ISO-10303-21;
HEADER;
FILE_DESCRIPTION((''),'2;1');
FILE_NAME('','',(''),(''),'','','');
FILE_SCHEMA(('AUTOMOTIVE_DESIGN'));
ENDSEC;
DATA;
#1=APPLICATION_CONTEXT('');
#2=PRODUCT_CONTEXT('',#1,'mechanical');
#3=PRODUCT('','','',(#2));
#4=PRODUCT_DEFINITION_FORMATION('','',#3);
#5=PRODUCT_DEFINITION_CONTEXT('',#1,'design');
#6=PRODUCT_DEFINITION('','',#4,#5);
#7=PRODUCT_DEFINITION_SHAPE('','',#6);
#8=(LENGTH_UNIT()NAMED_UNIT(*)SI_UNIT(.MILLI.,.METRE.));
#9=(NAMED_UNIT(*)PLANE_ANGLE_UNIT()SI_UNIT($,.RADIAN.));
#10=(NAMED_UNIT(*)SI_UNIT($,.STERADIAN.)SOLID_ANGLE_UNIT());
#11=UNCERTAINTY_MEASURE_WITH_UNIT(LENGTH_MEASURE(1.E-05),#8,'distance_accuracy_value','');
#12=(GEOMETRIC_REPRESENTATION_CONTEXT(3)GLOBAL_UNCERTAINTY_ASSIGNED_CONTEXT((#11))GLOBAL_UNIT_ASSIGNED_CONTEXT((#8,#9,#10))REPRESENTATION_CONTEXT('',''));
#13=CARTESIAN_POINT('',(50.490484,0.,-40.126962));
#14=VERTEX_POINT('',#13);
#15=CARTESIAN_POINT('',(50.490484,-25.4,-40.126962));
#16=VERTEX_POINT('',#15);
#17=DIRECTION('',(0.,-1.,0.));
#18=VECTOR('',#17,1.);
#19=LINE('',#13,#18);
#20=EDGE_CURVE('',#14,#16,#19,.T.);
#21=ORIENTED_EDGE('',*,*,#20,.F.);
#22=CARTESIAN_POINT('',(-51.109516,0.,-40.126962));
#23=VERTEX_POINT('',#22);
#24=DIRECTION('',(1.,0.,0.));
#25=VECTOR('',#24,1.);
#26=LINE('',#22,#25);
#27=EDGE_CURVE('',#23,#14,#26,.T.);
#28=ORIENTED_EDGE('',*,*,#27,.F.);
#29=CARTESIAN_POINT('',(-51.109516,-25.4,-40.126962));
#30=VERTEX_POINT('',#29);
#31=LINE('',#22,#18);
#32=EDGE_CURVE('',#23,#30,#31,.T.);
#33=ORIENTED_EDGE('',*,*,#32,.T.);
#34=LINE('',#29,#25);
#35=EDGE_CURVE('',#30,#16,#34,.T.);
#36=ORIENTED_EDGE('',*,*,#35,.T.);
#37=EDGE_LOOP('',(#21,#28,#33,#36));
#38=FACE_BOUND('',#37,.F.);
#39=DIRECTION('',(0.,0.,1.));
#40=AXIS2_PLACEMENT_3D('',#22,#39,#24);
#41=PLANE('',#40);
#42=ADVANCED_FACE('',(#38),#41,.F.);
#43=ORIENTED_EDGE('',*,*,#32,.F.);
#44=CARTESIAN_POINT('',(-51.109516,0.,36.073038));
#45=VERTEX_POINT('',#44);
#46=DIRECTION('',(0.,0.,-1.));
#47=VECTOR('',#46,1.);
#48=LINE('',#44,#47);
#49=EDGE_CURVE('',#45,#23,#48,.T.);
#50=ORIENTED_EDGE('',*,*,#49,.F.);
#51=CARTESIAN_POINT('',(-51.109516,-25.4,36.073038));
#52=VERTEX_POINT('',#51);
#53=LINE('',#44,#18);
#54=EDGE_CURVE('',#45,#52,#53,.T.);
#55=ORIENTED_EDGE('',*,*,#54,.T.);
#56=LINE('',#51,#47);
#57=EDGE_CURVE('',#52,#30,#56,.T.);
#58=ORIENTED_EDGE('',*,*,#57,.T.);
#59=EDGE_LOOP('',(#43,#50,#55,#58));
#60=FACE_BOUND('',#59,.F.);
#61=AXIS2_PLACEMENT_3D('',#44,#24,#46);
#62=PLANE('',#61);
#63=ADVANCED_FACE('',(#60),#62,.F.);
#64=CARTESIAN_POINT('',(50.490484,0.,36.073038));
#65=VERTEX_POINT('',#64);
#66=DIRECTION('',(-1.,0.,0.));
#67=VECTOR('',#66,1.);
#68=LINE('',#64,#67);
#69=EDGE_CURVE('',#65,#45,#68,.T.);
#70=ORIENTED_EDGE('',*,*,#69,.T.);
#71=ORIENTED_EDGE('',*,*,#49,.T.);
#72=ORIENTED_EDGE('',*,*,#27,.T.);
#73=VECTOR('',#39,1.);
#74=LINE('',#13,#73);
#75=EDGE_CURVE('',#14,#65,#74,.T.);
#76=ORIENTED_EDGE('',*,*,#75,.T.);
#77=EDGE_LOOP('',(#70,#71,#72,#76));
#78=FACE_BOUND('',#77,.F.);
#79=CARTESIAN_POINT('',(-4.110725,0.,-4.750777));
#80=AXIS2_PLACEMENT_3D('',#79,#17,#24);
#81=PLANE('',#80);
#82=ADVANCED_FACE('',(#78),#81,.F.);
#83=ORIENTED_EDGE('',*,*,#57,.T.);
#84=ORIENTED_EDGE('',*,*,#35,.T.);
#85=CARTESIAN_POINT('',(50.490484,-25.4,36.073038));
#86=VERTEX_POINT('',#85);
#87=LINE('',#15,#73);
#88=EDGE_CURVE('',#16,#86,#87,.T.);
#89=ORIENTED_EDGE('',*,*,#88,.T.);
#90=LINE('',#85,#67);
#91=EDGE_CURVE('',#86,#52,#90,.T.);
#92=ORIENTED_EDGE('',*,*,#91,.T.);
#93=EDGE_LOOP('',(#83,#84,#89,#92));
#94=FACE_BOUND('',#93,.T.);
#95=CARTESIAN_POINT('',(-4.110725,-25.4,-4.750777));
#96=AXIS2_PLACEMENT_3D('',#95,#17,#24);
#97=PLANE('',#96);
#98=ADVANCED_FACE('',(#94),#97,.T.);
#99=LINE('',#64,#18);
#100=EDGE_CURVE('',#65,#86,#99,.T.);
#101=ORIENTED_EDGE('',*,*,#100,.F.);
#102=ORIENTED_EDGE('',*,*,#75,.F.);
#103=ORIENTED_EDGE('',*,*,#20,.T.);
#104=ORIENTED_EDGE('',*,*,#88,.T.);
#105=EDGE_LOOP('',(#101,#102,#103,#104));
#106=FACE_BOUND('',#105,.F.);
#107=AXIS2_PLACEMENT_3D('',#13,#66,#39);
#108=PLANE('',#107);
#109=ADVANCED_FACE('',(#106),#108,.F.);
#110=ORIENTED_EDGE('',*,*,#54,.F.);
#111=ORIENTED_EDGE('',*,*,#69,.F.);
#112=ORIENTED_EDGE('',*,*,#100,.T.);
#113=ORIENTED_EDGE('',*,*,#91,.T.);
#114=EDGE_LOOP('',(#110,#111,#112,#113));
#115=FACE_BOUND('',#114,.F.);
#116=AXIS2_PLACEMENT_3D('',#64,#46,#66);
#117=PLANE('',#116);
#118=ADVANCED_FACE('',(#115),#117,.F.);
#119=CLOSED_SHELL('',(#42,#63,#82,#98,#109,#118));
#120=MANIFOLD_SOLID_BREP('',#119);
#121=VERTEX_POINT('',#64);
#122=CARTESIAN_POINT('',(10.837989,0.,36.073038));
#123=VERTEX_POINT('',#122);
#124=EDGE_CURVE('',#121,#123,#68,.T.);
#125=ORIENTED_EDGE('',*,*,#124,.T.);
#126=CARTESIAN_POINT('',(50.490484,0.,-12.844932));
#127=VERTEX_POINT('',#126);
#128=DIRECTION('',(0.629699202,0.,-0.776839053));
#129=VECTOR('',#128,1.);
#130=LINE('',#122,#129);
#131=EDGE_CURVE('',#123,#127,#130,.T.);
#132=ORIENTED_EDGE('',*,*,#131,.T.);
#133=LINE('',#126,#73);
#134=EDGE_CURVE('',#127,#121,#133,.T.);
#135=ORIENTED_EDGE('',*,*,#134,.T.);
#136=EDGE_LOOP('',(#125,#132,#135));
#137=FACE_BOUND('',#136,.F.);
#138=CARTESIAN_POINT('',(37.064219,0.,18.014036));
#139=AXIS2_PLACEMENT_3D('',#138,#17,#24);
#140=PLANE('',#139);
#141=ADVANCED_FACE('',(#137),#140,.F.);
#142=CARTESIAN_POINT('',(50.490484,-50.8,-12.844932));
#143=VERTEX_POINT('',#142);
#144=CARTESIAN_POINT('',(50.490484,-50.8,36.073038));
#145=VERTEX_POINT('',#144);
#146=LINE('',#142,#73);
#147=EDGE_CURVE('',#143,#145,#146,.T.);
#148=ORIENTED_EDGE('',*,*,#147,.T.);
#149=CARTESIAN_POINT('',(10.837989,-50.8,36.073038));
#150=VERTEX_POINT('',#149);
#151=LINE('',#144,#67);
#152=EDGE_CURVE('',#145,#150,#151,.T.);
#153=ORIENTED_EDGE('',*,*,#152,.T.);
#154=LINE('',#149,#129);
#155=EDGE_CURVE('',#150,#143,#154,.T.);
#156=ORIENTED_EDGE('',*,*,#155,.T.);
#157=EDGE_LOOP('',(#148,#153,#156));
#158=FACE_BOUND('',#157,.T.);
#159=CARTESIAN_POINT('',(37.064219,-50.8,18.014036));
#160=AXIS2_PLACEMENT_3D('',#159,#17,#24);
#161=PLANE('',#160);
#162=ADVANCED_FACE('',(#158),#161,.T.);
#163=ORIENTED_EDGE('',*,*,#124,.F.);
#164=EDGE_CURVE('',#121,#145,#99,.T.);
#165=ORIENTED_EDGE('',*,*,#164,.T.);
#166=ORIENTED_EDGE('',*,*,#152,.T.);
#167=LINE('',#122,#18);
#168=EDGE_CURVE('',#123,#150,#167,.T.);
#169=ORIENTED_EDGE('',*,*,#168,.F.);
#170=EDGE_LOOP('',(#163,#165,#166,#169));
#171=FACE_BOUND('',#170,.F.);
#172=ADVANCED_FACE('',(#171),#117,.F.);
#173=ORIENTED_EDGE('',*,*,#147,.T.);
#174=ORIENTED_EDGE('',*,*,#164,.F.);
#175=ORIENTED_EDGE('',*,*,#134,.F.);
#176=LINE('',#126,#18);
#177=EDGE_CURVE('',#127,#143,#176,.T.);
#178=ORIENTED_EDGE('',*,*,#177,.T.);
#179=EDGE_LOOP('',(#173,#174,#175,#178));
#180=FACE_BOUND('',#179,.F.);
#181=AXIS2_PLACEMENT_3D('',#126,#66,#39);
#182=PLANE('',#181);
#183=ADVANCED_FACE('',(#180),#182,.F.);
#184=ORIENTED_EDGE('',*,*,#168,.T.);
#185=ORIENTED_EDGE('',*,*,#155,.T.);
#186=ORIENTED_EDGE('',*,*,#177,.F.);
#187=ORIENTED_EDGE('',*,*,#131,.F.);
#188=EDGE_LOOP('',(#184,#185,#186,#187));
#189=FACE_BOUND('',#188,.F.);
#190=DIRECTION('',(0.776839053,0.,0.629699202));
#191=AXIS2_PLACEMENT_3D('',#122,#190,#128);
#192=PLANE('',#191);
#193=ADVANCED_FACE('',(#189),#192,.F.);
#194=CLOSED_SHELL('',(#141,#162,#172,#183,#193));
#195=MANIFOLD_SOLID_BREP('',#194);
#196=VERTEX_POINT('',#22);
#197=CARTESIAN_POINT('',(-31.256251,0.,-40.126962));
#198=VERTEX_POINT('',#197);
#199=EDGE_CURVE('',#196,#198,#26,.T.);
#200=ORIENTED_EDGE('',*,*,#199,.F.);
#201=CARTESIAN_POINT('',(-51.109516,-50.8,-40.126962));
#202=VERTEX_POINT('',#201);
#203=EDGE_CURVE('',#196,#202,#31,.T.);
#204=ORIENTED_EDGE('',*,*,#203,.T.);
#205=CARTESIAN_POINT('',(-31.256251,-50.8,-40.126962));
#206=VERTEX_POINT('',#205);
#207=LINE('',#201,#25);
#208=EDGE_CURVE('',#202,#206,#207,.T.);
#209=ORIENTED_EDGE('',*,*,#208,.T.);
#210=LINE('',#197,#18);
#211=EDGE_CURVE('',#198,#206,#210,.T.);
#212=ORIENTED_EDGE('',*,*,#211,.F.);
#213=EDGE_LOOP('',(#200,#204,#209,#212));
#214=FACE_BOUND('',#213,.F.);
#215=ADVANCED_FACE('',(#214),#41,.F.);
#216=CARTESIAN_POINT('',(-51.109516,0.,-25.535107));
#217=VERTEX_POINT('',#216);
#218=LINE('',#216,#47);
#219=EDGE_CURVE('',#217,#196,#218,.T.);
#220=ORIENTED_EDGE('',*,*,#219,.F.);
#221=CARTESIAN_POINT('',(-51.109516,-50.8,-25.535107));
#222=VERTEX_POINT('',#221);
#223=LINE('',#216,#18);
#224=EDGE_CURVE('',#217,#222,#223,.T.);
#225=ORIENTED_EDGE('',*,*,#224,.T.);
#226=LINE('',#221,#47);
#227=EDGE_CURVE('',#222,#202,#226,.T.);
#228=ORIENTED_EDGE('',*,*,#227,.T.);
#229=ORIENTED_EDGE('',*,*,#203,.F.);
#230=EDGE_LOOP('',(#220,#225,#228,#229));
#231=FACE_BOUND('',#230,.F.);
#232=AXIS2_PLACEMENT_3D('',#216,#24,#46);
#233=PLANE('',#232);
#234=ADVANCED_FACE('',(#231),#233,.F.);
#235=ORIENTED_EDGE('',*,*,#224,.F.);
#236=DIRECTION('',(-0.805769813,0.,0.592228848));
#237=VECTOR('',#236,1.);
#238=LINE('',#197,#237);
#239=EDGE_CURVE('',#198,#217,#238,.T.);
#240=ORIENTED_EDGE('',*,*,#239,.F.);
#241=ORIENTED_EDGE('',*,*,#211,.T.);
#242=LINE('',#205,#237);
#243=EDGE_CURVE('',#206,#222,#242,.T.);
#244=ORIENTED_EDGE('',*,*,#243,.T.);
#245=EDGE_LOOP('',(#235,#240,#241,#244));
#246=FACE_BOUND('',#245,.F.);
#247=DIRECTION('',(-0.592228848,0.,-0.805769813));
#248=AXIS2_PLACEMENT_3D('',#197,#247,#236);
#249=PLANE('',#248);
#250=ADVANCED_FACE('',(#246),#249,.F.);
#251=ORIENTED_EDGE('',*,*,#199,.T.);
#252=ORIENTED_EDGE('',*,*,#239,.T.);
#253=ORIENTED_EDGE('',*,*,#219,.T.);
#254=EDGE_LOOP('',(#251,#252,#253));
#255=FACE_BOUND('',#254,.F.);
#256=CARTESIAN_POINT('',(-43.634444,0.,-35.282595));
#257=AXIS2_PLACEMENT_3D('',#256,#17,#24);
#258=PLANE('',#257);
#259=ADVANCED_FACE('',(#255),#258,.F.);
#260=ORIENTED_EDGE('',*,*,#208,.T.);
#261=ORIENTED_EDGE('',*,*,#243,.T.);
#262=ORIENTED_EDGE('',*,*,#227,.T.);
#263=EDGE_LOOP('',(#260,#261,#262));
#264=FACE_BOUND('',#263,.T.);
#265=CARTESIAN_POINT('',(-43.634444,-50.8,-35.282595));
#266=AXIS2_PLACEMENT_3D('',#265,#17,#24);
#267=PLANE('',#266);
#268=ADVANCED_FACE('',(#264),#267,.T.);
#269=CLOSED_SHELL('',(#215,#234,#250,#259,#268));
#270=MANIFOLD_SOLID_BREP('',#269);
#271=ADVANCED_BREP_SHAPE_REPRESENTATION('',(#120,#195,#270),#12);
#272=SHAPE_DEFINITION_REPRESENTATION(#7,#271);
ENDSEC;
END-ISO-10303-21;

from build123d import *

# Parameters (mm, degrees)
F1_DEPTH = 50.8
F2_DEPTH = 25.4


with BuildPart() as f1:
    # F0 (on Front) → F1 (new body)
    with BuildSketch(Plane.XZ):
        Polygon((50.490484, 36.073038), (10.837989, 36.073038), (50.490484, -12.844932), align=None)
        Polygon((-31.256251, -40.126962), (-51.109516, -25.535107), (-51.109516, -40.126962), align=None)
    extrude(amount=F1_DEPTH)


with BuildPart() as f2:
    # F0 (on Front) → F2 (new body)
    with BuildSketch(Plane.XZ):
        Polygon((10.837989, 36.073038), (-51.109516, 36.073038), (-51.109516, -25.535107), (-31.256251, -40.126962), (50.490484, -40.126962), (50.490484, -12.844932), align=None)
        Polygon((50.490484, 36.073038), (10.837989, 36.073038), (50.490484, -12.844932), align=None)
        Polygon((-31.256251, -40.126962), (-51.109516, -25.535107), (-51.109516, -40.126962), align=None)
    extrude(amount=F2_DEPTH)


solid = Compound([f1.part, f2.part])
